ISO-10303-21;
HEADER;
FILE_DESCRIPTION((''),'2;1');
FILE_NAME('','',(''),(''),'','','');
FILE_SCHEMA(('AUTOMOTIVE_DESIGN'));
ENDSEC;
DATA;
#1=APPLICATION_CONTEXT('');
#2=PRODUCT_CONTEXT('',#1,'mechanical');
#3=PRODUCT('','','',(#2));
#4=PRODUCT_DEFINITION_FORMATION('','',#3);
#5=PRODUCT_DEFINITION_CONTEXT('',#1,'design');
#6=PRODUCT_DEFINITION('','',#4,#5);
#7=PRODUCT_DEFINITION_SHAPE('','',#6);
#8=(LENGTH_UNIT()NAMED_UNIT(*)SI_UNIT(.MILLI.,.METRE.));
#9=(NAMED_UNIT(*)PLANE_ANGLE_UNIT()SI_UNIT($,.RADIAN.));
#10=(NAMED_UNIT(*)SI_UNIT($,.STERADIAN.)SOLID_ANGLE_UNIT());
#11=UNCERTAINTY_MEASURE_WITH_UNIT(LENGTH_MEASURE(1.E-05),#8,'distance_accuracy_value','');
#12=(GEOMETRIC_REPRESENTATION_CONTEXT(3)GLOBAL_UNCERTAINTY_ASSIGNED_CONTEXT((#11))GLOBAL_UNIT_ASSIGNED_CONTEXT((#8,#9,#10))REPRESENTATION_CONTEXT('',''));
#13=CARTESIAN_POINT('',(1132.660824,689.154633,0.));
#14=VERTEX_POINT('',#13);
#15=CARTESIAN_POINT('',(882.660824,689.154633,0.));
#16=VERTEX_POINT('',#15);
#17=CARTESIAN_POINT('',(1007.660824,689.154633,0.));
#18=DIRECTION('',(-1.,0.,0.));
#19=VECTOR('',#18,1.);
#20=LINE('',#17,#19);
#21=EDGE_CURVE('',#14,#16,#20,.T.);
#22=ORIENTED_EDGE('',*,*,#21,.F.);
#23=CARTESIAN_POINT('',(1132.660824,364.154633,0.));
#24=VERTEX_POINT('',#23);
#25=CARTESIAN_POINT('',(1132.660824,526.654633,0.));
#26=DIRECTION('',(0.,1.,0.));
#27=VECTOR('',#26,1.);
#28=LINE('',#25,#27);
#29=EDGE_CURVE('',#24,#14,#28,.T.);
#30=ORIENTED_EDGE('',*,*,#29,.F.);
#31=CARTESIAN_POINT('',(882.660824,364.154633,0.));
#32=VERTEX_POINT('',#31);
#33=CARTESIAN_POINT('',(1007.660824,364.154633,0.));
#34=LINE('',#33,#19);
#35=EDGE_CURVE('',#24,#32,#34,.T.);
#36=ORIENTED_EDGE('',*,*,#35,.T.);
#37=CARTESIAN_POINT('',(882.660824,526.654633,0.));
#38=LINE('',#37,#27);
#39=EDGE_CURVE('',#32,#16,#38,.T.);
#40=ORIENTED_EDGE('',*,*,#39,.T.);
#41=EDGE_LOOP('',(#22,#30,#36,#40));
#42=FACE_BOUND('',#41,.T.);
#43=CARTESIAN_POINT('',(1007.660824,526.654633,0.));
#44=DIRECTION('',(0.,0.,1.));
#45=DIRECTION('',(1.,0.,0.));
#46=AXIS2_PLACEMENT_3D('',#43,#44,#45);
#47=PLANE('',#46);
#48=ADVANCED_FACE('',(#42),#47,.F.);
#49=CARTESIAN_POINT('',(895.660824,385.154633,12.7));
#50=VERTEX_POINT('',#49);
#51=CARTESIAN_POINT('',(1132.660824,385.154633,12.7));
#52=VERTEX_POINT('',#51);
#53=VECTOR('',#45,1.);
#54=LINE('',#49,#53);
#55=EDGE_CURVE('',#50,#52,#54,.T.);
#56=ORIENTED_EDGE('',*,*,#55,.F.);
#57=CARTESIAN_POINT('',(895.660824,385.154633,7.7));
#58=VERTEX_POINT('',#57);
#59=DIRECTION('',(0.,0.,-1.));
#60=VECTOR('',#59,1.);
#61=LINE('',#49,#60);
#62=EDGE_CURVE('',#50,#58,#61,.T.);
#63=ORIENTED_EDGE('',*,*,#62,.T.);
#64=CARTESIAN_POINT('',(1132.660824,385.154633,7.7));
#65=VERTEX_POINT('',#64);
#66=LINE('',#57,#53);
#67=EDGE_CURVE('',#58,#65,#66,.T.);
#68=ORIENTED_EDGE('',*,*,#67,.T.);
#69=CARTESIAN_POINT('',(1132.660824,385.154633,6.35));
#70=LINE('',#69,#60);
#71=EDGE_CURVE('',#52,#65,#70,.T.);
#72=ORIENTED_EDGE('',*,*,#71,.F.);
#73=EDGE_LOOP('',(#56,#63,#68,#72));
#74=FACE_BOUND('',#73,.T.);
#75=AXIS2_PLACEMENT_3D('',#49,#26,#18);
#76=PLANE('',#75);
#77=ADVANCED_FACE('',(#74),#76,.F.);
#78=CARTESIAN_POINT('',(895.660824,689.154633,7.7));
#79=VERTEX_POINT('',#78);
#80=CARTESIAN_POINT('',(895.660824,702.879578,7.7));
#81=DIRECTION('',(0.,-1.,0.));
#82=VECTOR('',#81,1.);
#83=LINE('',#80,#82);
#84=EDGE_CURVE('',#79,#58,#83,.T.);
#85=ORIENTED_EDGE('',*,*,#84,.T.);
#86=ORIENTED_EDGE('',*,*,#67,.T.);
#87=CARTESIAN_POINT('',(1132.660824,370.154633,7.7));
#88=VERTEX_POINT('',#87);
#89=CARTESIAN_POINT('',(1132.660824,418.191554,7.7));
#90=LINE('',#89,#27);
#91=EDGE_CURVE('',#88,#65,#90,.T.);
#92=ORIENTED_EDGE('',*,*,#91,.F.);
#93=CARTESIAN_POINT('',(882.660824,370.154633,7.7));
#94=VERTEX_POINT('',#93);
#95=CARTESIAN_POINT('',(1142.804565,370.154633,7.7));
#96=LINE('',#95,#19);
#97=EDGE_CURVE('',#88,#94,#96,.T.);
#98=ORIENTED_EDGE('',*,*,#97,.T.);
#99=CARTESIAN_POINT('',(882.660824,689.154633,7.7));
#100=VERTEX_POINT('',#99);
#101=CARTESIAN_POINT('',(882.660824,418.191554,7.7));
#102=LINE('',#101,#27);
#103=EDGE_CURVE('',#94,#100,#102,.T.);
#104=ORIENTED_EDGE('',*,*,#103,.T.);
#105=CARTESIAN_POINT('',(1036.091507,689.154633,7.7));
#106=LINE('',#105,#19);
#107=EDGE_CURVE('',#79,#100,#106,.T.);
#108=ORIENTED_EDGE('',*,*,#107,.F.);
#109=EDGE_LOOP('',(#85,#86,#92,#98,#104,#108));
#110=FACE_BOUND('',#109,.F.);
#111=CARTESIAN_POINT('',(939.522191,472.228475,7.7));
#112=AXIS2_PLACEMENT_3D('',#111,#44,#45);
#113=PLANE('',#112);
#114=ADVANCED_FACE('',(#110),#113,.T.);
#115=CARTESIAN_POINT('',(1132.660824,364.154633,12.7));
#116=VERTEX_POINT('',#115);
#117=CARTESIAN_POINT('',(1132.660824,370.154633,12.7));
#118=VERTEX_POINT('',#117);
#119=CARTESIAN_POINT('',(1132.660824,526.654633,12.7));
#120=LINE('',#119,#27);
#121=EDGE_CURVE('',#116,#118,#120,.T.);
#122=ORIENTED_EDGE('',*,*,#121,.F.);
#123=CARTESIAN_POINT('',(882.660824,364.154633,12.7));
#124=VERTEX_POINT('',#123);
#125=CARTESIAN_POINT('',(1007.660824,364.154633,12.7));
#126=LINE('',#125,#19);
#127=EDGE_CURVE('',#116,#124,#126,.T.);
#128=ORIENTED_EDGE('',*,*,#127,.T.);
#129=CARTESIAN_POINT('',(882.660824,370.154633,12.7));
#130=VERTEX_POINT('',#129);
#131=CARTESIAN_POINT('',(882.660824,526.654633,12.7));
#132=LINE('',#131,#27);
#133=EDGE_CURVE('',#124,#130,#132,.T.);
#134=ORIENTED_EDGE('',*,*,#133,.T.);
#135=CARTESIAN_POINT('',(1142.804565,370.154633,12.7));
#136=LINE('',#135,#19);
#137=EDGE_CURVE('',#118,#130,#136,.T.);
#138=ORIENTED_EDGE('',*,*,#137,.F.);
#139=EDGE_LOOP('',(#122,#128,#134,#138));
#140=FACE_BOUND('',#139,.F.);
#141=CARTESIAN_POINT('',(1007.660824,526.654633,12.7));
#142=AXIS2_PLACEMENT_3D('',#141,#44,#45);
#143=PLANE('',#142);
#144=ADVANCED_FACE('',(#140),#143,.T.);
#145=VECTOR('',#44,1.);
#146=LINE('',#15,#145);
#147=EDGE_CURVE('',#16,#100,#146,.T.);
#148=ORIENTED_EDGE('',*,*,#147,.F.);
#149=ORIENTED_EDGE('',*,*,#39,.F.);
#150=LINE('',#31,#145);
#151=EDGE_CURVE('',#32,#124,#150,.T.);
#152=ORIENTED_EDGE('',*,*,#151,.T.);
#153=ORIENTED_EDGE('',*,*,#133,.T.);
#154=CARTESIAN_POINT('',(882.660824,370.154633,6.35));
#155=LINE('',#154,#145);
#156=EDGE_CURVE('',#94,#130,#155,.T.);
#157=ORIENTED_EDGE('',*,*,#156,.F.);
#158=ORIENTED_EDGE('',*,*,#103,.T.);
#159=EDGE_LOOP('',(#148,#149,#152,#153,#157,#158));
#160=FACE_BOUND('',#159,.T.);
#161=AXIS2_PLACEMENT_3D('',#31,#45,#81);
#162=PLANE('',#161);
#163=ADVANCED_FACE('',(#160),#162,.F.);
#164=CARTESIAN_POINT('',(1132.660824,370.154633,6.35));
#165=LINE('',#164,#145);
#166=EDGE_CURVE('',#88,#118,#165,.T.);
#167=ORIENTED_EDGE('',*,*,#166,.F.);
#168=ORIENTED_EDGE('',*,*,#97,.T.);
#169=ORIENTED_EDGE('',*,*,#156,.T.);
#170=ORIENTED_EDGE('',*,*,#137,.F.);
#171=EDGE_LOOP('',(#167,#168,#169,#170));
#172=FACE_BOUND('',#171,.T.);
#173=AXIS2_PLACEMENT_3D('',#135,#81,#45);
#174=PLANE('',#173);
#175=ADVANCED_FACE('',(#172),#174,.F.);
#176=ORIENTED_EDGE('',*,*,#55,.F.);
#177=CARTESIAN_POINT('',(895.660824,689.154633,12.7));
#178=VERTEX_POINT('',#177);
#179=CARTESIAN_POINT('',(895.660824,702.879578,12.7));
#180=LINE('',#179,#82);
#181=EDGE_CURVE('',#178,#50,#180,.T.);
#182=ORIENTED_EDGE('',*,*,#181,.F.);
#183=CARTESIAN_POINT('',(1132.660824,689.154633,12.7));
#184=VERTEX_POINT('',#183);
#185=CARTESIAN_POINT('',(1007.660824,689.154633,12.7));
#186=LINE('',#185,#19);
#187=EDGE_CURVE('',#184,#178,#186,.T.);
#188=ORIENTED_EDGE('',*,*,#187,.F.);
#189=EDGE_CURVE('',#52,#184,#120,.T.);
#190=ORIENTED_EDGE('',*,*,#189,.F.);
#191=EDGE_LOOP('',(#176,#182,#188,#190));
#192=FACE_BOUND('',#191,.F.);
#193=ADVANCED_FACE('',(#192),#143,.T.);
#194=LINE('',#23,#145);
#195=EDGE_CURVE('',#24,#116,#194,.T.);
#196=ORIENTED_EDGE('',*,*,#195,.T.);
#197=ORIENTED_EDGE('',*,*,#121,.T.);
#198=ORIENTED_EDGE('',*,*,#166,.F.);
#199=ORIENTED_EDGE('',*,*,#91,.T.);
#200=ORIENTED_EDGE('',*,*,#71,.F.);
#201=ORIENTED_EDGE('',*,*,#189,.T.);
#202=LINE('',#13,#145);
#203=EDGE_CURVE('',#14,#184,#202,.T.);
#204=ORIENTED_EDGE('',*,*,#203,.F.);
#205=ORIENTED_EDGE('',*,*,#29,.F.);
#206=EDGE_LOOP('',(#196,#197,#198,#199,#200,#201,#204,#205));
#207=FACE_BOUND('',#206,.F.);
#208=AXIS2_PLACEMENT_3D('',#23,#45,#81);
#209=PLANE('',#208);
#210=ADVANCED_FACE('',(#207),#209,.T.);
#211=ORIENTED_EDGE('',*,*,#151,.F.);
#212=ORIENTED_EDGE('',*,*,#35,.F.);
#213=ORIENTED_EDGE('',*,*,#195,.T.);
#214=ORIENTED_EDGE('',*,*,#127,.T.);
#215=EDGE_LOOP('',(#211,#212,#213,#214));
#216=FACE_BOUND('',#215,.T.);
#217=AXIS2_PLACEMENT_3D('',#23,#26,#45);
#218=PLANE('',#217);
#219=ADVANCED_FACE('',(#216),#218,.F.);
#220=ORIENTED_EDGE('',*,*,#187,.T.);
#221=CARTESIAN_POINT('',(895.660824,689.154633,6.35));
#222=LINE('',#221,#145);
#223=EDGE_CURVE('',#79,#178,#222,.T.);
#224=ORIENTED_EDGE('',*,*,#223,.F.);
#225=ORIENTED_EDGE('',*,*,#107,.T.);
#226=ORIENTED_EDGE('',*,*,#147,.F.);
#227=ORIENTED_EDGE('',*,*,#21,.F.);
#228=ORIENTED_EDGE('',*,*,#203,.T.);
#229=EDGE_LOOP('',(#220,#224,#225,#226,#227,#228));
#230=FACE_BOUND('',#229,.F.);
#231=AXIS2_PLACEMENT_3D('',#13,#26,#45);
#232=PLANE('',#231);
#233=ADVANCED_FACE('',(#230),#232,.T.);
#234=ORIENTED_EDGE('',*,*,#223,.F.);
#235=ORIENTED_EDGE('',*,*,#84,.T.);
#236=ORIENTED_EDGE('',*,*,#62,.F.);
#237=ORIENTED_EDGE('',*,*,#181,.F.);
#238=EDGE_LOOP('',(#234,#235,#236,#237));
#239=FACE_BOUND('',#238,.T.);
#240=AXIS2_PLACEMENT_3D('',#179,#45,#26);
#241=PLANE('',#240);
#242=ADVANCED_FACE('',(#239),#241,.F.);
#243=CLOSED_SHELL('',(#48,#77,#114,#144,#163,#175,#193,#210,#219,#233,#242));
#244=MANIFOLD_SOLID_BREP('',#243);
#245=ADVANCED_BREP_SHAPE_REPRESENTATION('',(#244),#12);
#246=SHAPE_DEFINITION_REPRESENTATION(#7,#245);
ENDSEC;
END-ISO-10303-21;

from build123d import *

# Parameters (mm, degrees)
SKETCH006_W     = 250
SKETCH006_H     = 325
PAD005_DEPTH    = 12.7
POCKET001_DEPTH = 5


with BuildPart() as roof:
    # Sketch006 → Pad005 (new body)
    with BuildSketch(Plane.XY):
        with Locations((742.936954, 526.654633)):
            Rectangle(SKETCH006_W, SKETCH006_H)
    extrude(amount=PAD005_DEPTH)

    # Sketch007 (on Face6 of Pad005) → Pocket001 (cut)
    with BuildSketch(Plane.XY.offset(12.7)):
        Polygon((854.936954, 702.879578), (854.936954, 385.154633), (607.793213, 385.154633), (607.793213, 370.154633), (885.780701, 370.154633), (885.780701, 702.879578), align=None)
    extrude(amount=-POCKET001_DEPTH, mode=Mode.SUBTRACT)


with BuildPart() as model_roof_mirrored:
    # Mirror001: instance of Roof
    add(roof.part.mirror(Plane(origin=(875.298889, 692.274536, 0), x_dir=(0, 1, 0), z_dir=(-1, 0, 0))))


solid = model_roof_mirrored.part
